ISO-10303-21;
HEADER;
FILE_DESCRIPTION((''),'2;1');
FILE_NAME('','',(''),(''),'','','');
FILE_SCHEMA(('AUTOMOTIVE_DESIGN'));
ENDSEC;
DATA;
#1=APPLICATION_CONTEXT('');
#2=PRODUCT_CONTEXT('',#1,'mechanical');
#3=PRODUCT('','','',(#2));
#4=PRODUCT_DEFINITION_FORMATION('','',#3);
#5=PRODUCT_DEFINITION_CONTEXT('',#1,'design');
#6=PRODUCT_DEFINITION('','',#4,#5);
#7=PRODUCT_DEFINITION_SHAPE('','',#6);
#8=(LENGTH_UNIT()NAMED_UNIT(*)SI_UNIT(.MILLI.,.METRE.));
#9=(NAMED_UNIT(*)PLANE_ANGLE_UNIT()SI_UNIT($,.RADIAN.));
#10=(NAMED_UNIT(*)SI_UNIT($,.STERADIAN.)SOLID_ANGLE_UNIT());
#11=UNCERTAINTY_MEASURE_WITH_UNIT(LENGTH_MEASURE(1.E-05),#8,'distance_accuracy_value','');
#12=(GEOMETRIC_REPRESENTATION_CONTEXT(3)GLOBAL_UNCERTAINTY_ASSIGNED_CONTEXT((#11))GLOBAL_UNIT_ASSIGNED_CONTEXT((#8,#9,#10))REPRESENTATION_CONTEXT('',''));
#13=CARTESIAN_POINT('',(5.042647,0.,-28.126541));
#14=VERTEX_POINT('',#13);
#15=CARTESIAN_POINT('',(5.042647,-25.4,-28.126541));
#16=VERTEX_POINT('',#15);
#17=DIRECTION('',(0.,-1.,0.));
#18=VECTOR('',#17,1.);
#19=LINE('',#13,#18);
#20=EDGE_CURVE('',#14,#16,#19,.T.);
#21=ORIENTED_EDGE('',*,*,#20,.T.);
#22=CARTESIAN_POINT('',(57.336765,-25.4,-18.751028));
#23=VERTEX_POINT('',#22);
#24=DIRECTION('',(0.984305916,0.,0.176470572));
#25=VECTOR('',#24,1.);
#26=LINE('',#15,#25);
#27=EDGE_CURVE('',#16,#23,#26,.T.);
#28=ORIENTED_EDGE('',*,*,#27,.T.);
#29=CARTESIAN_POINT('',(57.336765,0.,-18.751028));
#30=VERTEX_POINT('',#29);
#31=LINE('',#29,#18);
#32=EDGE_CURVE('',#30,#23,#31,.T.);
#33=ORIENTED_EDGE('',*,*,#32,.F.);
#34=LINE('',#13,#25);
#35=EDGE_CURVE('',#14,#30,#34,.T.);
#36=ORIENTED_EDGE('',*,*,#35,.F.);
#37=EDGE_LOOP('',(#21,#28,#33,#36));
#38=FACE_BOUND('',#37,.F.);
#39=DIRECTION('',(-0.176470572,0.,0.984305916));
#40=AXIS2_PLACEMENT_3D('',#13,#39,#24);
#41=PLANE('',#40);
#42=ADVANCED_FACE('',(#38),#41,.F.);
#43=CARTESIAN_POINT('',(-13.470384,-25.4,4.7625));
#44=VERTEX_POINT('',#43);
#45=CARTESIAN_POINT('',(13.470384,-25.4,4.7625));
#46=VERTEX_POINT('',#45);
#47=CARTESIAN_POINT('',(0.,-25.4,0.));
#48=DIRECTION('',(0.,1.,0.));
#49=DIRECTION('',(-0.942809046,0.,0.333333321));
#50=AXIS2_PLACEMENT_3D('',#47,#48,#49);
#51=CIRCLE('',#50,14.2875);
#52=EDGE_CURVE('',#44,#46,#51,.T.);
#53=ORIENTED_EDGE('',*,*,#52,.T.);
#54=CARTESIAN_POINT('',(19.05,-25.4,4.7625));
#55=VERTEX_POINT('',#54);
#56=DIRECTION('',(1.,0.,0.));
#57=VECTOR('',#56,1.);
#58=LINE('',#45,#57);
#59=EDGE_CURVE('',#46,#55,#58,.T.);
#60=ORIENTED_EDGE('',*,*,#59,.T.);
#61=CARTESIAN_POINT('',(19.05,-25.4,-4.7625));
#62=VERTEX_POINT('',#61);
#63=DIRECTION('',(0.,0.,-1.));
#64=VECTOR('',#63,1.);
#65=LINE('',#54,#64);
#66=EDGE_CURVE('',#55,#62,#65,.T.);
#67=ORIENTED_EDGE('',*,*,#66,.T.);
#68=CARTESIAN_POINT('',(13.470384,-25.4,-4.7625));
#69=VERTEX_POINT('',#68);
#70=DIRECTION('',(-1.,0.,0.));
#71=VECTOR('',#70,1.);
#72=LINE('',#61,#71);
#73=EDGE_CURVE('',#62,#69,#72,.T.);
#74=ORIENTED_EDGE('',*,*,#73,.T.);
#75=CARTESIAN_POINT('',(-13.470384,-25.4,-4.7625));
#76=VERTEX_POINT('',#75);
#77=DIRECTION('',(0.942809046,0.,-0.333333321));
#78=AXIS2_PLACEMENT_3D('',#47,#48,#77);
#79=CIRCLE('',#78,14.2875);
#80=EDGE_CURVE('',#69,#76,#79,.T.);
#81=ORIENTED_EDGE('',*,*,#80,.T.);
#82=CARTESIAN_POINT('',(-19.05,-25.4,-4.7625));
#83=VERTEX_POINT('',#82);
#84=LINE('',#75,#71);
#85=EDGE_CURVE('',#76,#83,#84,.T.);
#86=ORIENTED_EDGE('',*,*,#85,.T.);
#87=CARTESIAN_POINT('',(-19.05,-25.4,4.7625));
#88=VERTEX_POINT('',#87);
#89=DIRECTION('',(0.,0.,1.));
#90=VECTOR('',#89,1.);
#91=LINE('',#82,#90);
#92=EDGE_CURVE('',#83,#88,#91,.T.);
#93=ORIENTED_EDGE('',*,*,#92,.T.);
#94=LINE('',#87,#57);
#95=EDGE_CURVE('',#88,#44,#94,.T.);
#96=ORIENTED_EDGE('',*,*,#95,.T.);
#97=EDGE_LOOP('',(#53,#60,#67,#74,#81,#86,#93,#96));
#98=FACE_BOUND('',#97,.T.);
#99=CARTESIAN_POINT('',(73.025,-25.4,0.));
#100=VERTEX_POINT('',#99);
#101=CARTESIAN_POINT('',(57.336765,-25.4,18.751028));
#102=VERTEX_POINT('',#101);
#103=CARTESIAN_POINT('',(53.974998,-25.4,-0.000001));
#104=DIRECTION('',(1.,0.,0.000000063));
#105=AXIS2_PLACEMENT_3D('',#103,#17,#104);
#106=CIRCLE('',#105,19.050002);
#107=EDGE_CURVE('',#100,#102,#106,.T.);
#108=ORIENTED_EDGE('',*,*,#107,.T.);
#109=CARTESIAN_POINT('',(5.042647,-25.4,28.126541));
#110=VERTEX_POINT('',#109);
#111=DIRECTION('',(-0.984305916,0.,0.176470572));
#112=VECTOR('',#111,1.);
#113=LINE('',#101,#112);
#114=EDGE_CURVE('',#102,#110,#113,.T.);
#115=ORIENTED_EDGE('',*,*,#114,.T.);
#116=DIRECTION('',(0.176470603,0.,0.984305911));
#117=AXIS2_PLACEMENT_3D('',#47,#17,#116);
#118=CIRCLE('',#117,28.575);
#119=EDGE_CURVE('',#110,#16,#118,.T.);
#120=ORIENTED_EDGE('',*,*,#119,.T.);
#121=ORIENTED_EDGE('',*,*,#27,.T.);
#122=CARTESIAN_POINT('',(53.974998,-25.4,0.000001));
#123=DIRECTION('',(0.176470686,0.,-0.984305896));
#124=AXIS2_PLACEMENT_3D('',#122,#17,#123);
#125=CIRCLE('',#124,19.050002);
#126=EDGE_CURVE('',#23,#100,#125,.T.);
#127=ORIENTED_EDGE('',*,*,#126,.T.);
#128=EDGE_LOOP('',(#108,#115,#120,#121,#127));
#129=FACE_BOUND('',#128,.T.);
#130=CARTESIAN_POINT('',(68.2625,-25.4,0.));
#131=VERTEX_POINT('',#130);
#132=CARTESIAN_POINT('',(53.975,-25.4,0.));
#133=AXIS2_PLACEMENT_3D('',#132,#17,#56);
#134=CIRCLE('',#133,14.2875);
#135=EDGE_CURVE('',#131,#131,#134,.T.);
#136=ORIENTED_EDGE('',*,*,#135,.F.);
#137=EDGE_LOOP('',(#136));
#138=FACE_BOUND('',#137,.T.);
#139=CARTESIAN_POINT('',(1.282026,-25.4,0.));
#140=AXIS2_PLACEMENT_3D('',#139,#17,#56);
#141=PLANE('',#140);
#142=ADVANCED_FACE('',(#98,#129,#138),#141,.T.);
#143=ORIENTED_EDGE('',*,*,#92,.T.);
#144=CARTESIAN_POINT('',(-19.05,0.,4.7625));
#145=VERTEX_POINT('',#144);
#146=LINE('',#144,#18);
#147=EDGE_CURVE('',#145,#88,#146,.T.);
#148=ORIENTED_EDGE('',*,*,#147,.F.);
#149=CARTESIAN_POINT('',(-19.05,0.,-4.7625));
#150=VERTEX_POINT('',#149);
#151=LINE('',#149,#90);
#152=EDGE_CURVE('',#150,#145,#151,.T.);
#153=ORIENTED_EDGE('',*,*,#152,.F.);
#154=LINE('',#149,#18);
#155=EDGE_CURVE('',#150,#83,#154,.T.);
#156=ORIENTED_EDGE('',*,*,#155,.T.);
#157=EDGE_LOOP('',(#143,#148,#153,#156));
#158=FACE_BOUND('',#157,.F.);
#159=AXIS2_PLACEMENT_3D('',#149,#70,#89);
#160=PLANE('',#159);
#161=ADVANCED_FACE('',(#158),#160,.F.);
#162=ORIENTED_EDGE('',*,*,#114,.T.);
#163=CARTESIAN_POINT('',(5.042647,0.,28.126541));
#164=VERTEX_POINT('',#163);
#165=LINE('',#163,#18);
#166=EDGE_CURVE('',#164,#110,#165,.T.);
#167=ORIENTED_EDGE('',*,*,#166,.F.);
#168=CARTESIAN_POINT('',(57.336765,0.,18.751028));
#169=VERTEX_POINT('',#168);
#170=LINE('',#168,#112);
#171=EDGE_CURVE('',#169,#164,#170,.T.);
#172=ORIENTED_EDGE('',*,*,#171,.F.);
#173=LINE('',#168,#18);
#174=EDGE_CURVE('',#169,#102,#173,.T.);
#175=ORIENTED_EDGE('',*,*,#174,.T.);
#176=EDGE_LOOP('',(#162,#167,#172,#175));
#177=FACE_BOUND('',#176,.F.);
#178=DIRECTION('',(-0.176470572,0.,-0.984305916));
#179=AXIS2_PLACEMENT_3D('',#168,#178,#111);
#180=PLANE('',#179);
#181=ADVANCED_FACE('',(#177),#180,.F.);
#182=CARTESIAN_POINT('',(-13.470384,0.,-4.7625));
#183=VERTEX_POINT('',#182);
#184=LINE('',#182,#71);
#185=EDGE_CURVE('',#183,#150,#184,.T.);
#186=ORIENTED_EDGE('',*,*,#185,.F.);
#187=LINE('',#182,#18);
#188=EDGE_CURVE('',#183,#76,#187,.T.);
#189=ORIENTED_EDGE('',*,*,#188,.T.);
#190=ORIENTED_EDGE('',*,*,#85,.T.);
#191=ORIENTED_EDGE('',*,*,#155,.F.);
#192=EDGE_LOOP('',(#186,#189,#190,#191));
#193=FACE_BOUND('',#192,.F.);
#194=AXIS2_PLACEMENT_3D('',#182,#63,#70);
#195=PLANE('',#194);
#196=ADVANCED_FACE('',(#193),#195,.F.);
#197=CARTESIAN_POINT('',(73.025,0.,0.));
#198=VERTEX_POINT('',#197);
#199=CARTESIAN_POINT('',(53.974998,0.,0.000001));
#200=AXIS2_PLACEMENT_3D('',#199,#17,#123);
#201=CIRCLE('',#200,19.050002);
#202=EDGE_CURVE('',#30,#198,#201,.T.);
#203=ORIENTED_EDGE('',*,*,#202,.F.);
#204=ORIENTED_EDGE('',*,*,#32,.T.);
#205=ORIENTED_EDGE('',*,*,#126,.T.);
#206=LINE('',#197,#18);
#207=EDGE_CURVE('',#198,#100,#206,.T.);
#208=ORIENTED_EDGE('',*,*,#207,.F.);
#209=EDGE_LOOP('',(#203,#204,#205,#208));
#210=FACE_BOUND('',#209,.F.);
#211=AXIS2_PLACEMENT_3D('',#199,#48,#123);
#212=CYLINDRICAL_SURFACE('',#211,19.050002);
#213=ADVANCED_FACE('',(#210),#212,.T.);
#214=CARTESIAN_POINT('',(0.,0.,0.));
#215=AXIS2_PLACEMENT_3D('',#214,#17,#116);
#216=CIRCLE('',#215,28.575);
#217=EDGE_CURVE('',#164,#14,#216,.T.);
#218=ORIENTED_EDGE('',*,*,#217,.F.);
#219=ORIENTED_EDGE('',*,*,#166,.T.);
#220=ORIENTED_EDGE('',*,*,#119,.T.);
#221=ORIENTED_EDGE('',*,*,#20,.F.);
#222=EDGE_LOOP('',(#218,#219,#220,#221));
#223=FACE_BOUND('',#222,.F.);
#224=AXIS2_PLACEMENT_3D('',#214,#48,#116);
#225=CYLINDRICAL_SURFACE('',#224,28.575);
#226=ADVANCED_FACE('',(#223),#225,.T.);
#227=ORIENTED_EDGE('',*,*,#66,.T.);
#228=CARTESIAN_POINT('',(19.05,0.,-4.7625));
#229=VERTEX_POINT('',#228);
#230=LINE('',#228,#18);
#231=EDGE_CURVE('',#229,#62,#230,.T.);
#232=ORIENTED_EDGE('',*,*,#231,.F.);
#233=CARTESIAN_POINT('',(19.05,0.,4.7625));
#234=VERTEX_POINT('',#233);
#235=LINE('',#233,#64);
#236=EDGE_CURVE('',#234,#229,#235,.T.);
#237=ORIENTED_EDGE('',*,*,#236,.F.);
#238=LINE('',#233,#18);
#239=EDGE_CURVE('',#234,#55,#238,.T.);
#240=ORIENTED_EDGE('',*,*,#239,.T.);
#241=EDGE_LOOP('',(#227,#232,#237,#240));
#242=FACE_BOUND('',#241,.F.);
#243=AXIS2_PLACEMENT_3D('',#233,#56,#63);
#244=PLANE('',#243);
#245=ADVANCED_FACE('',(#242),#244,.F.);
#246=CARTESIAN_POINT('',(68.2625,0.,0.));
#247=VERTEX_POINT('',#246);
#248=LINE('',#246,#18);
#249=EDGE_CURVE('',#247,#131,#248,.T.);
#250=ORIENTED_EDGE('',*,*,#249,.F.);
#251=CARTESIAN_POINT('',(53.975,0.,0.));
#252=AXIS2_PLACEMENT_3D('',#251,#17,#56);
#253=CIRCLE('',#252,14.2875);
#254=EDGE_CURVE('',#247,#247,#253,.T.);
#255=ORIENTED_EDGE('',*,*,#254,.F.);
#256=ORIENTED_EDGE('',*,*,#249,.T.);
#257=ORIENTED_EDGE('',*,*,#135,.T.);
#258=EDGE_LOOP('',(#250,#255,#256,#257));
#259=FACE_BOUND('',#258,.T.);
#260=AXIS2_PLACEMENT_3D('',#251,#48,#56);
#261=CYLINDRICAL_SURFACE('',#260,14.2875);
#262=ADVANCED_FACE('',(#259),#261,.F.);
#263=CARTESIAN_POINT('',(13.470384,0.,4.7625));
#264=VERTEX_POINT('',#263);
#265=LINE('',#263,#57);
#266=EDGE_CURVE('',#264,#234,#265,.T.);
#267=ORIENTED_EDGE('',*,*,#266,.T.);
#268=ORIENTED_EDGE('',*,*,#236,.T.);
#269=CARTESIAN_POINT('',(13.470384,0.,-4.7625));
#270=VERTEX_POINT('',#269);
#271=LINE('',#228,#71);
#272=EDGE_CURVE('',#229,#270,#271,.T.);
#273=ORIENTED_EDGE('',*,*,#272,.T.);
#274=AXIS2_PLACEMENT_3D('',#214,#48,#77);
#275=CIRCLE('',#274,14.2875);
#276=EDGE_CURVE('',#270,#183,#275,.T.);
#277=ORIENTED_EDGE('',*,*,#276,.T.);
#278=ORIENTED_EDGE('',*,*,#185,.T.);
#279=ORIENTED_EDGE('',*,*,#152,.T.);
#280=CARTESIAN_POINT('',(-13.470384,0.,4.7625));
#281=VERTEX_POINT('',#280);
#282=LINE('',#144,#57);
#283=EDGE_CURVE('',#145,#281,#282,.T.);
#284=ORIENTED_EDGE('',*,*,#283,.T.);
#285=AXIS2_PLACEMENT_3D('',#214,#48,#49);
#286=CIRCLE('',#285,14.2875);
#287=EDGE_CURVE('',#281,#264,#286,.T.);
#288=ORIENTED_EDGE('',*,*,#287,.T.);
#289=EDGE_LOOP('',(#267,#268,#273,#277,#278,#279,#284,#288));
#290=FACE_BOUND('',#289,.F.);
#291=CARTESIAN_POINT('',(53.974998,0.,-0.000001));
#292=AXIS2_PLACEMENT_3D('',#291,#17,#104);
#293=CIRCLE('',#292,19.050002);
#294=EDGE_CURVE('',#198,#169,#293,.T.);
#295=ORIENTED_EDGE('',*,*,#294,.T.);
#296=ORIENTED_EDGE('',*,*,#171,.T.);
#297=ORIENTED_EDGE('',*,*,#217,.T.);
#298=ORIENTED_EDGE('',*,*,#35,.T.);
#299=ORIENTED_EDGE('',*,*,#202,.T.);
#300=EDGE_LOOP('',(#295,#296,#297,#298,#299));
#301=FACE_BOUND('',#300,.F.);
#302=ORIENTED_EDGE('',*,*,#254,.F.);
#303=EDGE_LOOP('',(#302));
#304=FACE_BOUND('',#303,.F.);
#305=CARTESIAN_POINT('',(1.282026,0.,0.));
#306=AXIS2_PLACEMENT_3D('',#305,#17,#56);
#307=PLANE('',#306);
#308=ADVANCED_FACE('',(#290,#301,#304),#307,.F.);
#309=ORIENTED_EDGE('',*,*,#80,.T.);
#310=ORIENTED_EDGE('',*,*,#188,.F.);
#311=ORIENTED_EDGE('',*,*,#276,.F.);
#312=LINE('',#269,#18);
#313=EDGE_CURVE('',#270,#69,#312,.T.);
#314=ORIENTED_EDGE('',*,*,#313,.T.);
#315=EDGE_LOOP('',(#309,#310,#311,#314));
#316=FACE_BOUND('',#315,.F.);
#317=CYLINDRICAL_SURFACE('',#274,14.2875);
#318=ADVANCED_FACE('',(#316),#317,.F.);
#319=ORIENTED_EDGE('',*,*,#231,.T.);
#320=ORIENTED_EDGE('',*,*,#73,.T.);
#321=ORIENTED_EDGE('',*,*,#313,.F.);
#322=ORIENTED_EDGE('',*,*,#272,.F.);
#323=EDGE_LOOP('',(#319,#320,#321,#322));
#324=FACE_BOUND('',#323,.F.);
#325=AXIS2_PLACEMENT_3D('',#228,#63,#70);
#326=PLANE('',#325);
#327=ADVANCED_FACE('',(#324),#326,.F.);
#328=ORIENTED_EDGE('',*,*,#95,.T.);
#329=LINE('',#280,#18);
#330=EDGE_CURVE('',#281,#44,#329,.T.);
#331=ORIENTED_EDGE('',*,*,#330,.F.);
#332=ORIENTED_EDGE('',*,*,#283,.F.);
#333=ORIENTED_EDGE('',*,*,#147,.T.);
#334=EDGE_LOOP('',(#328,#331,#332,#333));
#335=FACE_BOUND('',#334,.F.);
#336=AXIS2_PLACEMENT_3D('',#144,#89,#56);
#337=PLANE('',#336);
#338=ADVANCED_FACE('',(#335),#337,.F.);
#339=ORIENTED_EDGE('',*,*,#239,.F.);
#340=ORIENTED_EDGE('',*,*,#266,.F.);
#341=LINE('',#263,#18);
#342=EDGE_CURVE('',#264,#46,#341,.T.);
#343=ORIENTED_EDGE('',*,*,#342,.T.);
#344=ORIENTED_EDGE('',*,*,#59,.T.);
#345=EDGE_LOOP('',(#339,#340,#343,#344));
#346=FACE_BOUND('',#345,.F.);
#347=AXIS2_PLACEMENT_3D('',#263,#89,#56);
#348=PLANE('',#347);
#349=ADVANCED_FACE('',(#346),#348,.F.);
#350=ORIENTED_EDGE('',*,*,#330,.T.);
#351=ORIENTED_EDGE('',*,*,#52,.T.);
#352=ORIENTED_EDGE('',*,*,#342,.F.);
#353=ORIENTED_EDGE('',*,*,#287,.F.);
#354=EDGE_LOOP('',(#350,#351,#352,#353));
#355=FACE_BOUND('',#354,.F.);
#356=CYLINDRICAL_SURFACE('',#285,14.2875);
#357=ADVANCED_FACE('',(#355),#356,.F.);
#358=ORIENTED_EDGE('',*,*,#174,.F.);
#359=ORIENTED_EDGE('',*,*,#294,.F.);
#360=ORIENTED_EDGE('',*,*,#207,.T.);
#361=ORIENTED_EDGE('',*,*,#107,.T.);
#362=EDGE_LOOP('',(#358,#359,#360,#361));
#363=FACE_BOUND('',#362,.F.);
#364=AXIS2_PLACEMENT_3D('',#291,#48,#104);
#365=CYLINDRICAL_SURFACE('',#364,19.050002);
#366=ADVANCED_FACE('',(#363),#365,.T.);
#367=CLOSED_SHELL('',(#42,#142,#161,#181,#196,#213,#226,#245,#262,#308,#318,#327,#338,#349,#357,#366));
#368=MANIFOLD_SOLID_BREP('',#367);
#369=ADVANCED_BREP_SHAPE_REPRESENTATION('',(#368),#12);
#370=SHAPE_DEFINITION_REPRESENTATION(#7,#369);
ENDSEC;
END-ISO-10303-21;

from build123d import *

# Parameters (mm, degrees)
F0_R     = 14.2875
F1_DEPTH = 25.4


with BuildPart() as f1:
    # F0 (on Front) → F1 (new body)
    with BuildSketch(Plane.XZ):
        with BuildLine():
            ThreePointArc((5.042647, -28.126541), (21.916025, -18.336262), (28.575, 0))
            ThreePointArc((28.575, 0), (21.916025, 18.336262), (5.042647, 28.126541))
            ThreePointArc((5.042647, 28.126541), (-28.575, 0), (5.042647, -28.126541))
        make_face()
        with BuildLine():
            ThreePointArc((-13.470384, 4.7625), (0, 14.2875), (13.470384, 4.7625))
            Line((13.470384, 4.7625), (19.05, 4.7625))
            Line((19.05, 4.7625), (19.05, -4.7625))
            Line((19.05, -4.7625), (13.470384, -4.7625))
            ThreePointArc((13.470384, -4.7625), (0, -14.2875), (-13.470384, -4.7625))
            Line((-13.470384, -4.7625), (-19.05, -4.7625))
            Line((-19.05, -4.7625), (-19.05, 4.7625))
            Line((-19.05, 4.7625), (-13.470384, 4.7625))
        make_face(mode=Mode.SUBTRACT)
        with BuildLine():
            ThreePointArc((5.042647, 28.126541), (21.916025, 18.336262), (28.575, 0))
            ThreePointArc((28.575, 0), (21.916025, -18.336262), (5.042647, -28.126541))
            Line((5.042647, -28.126541), (57.336765, -18.751028))
            ThreePointArc((57.336765, -18.751028), (34.925, 0), (57.336765, 18.751028))
            Line((57.336765, 18.751028), (5.042647, 28.126541))
        make_face()
        with BuildLine():
            ThreePointArc((73.025, 0), (68.585683, 12.224174), (57.336765, 18.751028))
            ThreePointArc((57.336765, 18.751028), (34.925, 0), (57.336765, -18.751028))
            ThreePointArc((57.336765, -18.751028), (68.585683, -12.224174), (73.025, 0))
        make_face()
        with Locations((53.975, 0)):
            Circle(F0_R, mode=Mode.SUBTRACT)
    extrude(amount=F1_DEPTH)


solid = f1.part
